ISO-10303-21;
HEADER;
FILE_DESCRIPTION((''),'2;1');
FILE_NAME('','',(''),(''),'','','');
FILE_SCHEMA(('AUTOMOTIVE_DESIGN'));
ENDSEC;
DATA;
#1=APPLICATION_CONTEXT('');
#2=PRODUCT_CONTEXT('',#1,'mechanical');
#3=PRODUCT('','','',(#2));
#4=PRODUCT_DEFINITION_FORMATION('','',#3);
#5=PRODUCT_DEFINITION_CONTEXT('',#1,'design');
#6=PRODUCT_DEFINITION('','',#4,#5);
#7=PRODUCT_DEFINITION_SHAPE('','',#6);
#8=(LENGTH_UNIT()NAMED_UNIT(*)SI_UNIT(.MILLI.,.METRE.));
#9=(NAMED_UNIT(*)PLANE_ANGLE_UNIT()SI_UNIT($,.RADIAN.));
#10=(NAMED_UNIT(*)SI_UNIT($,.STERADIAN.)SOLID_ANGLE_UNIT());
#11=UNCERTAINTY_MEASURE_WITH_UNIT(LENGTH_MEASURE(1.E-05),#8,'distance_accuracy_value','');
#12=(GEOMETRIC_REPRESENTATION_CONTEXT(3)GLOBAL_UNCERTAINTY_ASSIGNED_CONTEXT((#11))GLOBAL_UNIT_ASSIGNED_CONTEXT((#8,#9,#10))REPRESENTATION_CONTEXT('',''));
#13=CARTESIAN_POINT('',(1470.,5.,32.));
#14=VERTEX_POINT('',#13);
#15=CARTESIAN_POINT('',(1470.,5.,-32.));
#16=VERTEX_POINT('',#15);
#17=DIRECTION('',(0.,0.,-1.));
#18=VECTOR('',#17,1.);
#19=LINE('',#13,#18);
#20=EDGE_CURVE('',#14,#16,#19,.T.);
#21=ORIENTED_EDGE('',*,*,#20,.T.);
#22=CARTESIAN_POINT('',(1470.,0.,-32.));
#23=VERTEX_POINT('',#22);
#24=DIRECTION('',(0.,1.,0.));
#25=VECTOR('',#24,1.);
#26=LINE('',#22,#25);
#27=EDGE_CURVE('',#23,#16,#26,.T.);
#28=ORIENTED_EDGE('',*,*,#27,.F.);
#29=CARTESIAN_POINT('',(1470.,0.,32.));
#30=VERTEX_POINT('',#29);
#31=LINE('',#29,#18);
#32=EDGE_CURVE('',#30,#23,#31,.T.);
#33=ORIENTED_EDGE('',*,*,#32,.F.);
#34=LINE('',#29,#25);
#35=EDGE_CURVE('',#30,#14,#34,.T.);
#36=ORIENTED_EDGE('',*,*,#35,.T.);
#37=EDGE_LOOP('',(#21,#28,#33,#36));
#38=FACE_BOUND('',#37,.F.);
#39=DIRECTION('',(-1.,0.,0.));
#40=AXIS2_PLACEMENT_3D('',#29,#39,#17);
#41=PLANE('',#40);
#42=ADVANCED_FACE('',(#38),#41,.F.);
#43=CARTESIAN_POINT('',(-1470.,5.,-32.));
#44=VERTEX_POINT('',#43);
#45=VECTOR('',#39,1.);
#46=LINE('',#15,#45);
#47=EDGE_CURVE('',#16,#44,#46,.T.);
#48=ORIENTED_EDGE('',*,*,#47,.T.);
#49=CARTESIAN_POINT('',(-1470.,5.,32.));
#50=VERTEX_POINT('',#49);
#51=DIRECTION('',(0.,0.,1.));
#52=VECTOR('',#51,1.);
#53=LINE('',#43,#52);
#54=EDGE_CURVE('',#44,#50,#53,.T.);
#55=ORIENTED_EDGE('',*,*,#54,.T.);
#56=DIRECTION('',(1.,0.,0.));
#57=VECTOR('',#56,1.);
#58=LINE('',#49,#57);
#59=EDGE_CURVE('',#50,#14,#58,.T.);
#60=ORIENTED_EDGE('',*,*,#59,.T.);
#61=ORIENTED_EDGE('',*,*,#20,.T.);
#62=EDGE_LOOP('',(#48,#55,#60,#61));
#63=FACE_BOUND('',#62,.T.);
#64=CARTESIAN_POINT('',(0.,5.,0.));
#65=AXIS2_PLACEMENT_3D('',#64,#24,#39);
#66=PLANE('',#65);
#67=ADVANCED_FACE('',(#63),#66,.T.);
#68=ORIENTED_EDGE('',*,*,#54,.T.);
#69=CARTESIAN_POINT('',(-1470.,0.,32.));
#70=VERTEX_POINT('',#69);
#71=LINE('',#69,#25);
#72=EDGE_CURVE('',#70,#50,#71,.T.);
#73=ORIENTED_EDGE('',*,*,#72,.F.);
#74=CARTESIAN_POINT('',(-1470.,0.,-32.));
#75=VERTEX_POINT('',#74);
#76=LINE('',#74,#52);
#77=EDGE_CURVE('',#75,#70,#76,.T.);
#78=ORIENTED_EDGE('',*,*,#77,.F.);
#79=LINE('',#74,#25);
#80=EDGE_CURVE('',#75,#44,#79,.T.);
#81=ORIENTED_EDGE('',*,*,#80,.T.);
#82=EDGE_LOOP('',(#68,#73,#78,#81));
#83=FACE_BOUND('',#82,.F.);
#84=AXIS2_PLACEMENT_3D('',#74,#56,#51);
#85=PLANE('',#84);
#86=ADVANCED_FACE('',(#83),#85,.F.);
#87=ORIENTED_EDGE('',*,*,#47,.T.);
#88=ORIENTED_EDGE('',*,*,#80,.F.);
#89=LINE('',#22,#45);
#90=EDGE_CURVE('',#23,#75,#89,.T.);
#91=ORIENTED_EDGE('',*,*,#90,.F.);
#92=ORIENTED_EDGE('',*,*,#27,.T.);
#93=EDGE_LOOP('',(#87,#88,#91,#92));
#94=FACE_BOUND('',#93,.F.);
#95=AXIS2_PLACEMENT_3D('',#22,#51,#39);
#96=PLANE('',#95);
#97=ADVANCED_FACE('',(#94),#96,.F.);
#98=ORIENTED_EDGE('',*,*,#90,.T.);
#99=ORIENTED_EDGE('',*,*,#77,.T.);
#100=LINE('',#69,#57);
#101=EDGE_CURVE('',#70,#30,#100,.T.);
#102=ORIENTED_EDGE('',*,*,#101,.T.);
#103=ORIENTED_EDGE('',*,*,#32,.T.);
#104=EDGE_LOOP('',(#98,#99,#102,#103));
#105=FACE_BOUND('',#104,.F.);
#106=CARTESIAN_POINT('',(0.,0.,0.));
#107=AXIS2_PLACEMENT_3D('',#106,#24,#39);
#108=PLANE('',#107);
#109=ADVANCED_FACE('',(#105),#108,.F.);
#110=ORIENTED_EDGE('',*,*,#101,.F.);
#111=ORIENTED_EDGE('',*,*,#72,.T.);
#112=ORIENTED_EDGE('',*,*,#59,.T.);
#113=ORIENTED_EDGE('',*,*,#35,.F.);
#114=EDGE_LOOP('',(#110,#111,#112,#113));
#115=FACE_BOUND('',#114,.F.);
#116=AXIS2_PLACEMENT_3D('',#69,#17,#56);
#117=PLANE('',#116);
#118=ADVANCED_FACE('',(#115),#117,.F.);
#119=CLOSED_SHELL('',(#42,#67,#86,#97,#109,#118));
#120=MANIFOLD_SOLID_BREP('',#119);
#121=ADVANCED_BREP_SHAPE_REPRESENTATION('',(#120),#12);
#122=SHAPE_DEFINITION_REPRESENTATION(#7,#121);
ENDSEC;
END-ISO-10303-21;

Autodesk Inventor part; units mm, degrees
ref_plane "YZ Plane" through (0, 0, 0) normal (1, 0, 0) x (0, 1, 0)
ref_plane "XZ Plane" through (0, 0, 0) normal (0, 1, 0) x (-1, 0, 0)
ref_plane "XY Plane" through (0, 0, 0) normal (0, 0, 1) x (1, 0, 0)
sketch "Эскиз1" plane through (0, 0, 0) normal (0, 1, 0) x (-1, 0, 0)
  line L0 (1470, 32) -> (-1470, 32)
  line L1 (-1470, 32) -> (-1470, -32)
  line L2 (-1470, -32) -> (1470, -32)
  line L3 (1470, -32) -> (1470, 32)
  line L4 (1470, 32) -> (-1470, -32) construction
  line L5 (-1470, 32) -> (1470, -32) construction
  point P0 (0, 0)
  dimension "d0" = 2940
  dimension "d1" = 64
extrude "Пластина1" add sketch "Эскиз1" along normal blind 5
equation "\"d2\" = Толщина"
equation "\"Радиус_гибки\" = Толщина"
equation "\"Ширина_просечки\" = Толщина"
equation "\"Глубина_просечки\" = 0.5 * Толщина"
equation "\"Радиус_перехода\" = Радиус_гибки"
equation "\"Радиус_Якоби\" = Радиус_гибки"
equation "\"Размер_зазора\" = Толщина"
equation "\"Толщина\" = 5"
properties part number "0922_CPY1" material "Steel"
